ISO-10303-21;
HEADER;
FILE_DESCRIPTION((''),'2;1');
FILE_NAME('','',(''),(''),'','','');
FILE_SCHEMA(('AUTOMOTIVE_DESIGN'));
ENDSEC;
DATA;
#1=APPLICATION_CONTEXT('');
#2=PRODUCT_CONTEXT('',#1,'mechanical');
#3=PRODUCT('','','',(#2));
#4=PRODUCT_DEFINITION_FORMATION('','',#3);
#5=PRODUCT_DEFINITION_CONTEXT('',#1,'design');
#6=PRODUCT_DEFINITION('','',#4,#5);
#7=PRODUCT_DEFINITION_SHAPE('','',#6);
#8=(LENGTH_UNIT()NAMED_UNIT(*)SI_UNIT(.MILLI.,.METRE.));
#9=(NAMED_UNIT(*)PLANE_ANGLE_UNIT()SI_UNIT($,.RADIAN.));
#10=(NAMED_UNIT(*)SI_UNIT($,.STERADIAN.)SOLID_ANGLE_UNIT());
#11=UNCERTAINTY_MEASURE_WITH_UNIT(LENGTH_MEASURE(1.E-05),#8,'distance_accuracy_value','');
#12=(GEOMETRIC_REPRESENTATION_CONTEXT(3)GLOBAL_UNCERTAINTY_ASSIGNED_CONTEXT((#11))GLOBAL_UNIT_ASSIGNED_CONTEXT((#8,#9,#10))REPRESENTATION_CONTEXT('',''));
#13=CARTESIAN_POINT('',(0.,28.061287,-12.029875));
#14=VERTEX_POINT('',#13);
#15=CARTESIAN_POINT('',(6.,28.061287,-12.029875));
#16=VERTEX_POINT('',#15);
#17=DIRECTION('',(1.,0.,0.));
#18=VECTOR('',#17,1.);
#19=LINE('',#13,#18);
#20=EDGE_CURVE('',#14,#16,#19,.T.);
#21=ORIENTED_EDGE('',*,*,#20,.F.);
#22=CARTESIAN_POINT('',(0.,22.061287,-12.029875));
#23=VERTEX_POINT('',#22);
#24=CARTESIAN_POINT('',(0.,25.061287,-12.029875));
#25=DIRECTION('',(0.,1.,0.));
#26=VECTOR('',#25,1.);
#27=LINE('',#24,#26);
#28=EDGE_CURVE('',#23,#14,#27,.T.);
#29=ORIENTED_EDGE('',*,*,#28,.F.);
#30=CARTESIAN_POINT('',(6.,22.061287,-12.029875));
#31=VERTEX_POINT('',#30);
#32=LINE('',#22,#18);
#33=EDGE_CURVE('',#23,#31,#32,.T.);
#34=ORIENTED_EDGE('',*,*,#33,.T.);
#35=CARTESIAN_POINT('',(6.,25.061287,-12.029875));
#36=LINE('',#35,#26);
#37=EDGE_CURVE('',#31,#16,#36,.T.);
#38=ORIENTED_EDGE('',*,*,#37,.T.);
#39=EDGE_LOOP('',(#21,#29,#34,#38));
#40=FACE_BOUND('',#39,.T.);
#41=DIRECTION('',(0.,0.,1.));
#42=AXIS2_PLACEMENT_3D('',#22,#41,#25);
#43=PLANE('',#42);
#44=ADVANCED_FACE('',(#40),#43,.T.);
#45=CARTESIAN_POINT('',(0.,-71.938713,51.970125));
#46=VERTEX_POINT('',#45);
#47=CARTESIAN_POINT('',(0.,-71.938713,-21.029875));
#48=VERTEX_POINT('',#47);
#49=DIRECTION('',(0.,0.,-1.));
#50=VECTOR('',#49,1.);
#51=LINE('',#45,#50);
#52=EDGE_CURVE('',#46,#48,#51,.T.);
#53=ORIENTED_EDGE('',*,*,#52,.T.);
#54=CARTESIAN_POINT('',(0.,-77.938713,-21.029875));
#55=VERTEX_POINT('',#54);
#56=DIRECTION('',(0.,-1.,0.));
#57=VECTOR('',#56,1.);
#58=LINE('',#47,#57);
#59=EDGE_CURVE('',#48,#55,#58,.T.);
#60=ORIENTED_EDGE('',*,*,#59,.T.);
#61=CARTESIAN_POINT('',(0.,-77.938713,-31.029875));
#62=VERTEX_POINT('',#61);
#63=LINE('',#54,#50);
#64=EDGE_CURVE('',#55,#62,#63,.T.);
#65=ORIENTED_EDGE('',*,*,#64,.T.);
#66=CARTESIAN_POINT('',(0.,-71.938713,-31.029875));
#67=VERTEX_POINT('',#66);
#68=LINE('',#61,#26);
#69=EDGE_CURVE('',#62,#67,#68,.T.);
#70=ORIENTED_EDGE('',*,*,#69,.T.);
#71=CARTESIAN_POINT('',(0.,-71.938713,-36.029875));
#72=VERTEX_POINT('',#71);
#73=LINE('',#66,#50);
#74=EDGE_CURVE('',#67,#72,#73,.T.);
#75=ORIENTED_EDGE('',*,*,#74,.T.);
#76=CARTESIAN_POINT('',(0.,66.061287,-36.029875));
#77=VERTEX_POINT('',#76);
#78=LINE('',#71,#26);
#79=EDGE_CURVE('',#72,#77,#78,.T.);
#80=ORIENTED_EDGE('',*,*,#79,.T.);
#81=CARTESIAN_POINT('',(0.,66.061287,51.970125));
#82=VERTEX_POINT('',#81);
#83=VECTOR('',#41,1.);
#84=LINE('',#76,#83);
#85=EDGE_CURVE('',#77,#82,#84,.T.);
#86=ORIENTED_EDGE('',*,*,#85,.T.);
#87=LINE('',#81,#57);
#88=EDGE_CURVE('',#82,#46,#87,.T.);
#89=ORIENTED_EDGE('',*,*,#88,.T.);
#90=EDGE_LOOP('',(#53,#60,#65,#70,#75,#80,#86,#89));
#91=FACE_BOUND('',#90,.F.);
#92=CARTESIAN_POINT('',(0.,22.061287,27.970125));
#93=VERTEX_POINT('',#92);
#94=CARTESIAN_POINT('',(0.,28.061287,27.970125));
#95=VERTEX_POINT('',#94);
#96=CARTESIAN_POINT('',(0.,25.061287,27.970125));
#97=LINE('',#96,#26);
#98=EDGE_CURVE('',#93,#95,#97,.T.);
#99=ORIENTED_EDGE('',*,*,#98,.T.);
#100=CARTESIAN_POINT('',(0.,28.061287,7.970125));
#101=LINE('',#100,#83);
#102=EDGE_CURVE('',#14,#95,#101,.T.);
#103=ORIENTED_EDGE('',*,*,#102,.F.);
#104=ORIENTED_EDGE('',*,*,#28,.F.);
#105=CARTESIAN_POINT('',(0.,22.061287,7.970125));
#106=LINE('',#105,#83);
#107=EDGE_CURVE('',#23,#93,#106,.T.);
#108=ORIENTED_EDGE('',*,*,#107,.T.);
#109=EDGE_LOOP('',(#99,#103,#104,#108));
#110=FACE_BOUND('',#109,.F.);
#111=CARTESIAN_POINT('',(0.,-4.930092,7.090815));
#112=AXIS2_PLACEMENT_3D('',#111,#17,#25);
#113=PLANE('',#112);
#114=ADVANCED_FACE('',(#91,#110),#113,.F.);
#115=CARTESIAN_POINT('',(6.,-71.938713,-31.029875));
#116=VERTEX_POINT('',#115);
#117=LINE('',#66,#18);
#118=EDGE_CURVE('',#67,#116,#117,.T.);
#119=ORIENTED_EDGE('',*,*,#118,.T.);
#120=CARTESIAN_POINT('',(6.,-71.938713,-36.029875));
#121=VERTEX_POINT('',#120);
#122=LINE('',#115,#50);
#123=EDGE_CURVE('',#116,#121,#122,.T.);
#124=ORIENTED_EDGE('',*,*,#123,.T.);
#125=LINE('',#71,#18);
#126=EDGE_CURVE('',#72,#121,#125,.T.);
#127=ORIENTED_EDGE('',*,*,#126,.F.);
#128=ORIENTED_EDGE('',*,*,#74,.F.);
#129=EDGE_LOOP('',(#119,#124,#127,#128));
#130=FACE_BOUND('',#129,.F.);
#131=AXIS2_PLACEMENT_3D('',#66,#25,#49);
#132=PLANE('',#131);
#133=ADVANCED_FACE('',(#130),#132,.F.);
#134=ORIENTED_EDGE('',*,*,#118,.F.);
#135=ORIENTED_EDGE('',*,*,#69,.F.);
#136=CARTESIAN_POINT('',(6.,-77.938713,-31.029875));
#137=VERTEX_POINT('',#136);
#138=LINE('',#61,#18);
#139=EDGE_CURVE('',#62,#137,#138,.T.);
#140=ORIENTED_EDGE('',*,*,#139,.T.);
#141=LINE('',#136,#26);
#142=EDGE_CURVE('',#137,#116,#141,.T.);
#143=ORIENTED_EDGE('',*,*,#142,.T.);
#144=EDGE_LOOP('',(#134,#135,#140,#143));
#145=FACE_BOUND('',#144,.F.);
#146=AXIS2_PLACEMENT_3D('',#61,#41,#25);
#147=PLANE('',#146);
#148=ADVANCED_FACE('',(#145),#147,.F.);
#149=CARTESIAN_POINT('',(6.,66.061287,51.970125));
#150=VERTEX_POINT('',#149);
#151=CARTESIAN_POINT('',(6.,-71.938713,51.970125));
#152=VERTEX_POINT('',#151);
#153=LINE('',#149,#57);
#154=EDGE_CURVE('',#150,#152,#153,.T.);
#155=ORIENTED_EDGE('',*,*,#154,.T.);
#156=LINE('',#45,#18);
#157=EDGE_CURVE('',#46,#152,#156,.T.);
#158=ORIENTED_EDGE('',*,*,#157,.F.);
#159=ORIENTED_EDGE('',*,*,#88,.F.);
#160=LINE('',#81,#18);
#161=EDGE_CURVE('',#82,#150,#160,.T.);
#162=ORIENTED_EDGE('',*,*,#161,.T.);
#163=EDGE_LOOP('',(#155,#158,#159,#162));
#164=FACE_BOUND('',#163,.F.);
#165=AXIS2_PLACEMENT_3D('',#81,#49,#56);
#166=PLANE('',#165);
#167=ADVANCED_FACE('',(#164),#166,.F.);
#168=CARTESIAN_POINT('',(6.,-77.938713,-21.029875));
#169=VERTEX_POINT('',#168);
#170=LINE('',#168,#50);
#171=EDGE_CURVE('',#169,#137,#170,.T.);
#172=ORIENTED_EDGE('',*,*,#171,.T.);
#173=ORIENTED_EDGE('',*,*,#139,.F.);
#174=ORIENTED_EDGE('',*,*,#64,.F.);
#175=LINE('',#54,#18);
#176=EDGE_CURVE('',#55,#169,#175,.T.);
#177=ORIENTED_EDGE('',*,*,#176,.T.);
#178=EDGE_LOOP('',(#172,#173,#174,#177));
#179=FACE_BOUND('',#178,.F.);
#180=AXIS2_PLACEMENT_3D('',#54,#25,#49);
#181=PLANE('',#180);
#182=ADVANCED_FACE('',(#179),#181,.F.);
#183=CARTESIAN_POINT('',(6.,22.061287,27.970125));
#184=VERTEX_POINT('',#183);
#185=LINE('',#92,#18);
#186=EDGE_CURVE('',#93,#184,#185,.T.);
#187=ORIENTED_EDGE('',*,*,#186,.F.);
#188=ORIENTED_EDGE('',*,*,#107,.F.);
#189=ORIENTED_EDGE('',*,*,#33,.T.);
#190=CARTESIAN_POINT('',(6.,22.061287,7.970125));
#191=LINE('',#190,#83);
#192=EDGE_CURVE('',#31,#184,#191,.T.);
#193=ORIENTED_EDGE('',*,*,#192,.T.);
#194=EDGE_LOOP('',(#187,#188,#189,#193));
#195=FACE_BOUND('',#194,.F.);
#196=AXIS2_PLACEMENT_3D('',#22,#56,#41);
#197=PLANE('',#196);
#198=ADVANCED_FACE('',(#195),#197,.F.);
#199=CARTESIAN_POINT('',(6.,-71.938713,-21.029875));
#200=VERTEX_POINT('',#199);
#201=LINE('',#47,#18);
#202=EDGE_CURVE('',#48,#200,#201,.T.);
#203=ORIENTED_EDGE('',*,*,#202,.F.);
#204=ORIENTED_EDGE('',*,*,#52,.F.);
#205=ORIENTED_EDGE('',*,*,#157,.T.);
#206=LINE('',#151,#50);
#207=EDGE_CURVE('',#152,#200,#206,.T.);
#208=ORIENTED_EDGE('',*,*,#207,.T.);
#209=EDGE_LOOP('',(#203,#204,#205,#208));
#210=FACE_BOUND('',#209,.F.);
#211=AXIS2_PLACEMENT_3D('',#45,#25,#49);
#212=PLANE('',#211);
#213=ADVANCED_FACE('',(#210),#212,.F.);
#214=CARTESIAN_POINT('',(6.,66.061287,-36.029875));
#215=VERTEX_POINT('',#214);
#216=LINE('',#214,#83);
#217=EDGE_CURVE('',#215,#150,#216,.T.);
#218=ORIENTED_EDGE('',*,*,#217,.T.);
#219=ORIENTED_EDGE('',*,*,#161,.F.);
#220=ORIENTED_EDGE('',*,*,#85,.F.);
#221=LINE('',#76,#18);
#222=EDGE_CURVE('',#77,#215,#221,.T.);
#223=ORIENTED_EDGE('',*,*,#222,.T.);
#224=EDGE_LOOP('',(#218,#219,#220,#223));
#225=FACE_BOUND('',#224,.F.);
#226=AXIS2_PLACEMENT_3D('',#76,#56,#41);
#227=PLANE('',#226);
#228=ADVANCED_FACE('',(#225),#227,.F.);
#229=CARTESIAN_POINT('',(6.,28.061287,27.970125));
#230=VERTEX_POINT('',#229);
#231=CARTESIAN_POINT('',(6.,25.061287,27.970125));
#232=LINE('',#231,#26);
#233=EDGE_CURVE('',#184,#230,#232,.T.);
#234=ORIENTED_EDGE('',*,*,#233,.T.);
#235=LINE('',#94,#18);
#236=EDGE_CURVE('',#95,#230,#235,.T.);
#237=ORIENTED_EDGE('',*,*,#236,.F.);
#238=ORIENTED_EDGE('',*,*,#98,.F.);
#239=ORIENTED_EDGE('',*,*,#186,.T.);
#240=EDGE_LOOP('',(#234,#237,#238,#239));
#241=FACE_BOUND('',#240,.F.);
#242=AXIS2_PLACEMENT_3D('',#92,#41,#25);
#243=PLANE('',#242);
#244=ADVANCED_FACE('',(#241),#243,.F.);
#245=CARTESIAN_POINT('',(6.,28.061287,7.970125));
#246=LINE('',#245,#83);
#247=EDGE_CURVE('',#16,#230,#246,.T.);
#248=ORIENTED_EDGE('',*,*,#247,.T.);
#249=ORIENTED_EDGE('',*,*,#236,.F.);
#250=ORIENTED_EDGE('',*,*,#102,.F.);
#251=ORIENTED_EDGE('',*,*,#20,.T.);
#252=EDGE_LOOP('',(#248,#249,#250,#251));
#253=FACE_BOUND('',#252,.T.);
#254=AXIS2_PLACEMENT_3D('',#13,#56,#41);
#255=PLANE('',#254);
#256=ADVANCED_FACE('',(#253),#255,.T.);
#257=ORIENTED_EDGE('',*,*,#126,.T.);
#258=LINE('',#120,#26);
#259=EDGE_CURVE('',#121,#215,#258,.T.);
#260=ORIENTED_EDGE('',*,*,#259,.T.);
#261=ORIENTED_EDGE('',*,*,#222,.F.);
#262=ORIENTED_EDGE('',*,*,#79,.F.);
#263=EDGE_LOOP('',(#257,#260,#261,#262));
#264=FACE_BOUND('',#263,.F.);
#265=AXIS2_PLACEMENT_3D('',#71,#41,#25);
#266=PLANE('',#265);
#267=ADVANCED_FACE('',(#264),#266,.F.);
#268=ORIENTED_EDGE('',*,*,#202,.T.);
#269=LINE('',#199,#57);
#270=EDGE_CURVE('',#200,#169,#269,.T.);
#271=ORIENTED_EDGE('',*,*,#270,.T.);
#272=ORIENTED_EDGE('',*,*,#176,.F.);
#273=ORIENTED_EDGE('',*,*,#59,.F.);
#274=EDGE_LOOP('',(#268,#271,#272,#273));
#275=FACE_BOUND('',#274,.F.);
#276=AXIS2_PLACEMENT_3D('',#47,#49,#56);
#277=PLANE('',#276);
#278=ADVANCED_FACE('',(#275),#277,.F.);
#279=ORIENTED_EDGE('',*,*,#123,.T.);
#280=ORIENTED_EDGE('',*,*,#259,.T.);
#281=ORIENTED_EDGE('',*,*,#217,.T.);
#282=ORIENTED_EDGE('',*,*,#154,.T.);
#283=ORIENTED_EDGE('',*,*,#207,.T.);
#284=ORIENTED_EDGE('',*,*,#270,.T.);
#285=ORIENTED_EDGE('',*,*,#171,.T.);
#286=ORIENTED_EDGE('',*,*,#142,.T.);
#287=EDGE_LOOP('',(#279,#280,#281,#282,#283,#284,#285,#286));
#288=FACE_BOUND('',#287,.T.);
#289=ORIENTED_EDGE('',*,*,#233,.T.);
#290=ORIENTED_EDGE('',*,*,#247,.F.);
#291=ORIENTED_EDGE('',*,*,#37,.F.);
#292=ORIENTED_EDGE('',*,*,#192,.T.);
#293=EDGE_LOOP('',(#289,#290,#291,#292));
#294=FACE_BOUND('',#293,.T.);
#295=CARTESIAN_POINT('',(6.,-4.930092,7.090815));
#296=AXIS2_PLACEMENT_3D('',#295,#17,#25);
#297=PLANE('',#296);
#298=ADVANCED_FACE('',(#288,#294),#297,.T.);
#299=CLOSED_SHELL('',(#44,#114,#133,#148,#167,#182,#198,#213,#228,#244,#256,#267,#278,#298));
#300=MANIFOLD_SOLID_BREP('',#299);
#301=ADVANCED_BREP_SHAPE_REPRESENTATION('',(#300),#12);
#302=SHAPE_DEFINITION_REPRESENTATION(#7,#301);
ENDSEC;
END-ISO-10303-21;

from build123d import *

# Parameters (mm, degrees)
F0_W     = 6
F0_H     = 40
F1_DEPTH = 6


with BuildPart() as f1:
    # F0 (on Right) → F1 (new body)
    with BuildSketch(Plane.YZ):
        Polygon((-71.938713, -36.029875), (66.061287, -36.029875), (66.061287, 51.970125), (-71.938713, 51.970125), (-71.938713, -21.029875), (-77.938713, -21.029875), (-77.938713, -31.029875), (-71.938713, -31.029875), align=None)
        with Locations((25.061287, 7.970125)):
            Rectangle(F0_W, F0_H, mode=Mode.SUBTRACT)
    extrude(amount=F1_DEPTH)


solid = f1.part
